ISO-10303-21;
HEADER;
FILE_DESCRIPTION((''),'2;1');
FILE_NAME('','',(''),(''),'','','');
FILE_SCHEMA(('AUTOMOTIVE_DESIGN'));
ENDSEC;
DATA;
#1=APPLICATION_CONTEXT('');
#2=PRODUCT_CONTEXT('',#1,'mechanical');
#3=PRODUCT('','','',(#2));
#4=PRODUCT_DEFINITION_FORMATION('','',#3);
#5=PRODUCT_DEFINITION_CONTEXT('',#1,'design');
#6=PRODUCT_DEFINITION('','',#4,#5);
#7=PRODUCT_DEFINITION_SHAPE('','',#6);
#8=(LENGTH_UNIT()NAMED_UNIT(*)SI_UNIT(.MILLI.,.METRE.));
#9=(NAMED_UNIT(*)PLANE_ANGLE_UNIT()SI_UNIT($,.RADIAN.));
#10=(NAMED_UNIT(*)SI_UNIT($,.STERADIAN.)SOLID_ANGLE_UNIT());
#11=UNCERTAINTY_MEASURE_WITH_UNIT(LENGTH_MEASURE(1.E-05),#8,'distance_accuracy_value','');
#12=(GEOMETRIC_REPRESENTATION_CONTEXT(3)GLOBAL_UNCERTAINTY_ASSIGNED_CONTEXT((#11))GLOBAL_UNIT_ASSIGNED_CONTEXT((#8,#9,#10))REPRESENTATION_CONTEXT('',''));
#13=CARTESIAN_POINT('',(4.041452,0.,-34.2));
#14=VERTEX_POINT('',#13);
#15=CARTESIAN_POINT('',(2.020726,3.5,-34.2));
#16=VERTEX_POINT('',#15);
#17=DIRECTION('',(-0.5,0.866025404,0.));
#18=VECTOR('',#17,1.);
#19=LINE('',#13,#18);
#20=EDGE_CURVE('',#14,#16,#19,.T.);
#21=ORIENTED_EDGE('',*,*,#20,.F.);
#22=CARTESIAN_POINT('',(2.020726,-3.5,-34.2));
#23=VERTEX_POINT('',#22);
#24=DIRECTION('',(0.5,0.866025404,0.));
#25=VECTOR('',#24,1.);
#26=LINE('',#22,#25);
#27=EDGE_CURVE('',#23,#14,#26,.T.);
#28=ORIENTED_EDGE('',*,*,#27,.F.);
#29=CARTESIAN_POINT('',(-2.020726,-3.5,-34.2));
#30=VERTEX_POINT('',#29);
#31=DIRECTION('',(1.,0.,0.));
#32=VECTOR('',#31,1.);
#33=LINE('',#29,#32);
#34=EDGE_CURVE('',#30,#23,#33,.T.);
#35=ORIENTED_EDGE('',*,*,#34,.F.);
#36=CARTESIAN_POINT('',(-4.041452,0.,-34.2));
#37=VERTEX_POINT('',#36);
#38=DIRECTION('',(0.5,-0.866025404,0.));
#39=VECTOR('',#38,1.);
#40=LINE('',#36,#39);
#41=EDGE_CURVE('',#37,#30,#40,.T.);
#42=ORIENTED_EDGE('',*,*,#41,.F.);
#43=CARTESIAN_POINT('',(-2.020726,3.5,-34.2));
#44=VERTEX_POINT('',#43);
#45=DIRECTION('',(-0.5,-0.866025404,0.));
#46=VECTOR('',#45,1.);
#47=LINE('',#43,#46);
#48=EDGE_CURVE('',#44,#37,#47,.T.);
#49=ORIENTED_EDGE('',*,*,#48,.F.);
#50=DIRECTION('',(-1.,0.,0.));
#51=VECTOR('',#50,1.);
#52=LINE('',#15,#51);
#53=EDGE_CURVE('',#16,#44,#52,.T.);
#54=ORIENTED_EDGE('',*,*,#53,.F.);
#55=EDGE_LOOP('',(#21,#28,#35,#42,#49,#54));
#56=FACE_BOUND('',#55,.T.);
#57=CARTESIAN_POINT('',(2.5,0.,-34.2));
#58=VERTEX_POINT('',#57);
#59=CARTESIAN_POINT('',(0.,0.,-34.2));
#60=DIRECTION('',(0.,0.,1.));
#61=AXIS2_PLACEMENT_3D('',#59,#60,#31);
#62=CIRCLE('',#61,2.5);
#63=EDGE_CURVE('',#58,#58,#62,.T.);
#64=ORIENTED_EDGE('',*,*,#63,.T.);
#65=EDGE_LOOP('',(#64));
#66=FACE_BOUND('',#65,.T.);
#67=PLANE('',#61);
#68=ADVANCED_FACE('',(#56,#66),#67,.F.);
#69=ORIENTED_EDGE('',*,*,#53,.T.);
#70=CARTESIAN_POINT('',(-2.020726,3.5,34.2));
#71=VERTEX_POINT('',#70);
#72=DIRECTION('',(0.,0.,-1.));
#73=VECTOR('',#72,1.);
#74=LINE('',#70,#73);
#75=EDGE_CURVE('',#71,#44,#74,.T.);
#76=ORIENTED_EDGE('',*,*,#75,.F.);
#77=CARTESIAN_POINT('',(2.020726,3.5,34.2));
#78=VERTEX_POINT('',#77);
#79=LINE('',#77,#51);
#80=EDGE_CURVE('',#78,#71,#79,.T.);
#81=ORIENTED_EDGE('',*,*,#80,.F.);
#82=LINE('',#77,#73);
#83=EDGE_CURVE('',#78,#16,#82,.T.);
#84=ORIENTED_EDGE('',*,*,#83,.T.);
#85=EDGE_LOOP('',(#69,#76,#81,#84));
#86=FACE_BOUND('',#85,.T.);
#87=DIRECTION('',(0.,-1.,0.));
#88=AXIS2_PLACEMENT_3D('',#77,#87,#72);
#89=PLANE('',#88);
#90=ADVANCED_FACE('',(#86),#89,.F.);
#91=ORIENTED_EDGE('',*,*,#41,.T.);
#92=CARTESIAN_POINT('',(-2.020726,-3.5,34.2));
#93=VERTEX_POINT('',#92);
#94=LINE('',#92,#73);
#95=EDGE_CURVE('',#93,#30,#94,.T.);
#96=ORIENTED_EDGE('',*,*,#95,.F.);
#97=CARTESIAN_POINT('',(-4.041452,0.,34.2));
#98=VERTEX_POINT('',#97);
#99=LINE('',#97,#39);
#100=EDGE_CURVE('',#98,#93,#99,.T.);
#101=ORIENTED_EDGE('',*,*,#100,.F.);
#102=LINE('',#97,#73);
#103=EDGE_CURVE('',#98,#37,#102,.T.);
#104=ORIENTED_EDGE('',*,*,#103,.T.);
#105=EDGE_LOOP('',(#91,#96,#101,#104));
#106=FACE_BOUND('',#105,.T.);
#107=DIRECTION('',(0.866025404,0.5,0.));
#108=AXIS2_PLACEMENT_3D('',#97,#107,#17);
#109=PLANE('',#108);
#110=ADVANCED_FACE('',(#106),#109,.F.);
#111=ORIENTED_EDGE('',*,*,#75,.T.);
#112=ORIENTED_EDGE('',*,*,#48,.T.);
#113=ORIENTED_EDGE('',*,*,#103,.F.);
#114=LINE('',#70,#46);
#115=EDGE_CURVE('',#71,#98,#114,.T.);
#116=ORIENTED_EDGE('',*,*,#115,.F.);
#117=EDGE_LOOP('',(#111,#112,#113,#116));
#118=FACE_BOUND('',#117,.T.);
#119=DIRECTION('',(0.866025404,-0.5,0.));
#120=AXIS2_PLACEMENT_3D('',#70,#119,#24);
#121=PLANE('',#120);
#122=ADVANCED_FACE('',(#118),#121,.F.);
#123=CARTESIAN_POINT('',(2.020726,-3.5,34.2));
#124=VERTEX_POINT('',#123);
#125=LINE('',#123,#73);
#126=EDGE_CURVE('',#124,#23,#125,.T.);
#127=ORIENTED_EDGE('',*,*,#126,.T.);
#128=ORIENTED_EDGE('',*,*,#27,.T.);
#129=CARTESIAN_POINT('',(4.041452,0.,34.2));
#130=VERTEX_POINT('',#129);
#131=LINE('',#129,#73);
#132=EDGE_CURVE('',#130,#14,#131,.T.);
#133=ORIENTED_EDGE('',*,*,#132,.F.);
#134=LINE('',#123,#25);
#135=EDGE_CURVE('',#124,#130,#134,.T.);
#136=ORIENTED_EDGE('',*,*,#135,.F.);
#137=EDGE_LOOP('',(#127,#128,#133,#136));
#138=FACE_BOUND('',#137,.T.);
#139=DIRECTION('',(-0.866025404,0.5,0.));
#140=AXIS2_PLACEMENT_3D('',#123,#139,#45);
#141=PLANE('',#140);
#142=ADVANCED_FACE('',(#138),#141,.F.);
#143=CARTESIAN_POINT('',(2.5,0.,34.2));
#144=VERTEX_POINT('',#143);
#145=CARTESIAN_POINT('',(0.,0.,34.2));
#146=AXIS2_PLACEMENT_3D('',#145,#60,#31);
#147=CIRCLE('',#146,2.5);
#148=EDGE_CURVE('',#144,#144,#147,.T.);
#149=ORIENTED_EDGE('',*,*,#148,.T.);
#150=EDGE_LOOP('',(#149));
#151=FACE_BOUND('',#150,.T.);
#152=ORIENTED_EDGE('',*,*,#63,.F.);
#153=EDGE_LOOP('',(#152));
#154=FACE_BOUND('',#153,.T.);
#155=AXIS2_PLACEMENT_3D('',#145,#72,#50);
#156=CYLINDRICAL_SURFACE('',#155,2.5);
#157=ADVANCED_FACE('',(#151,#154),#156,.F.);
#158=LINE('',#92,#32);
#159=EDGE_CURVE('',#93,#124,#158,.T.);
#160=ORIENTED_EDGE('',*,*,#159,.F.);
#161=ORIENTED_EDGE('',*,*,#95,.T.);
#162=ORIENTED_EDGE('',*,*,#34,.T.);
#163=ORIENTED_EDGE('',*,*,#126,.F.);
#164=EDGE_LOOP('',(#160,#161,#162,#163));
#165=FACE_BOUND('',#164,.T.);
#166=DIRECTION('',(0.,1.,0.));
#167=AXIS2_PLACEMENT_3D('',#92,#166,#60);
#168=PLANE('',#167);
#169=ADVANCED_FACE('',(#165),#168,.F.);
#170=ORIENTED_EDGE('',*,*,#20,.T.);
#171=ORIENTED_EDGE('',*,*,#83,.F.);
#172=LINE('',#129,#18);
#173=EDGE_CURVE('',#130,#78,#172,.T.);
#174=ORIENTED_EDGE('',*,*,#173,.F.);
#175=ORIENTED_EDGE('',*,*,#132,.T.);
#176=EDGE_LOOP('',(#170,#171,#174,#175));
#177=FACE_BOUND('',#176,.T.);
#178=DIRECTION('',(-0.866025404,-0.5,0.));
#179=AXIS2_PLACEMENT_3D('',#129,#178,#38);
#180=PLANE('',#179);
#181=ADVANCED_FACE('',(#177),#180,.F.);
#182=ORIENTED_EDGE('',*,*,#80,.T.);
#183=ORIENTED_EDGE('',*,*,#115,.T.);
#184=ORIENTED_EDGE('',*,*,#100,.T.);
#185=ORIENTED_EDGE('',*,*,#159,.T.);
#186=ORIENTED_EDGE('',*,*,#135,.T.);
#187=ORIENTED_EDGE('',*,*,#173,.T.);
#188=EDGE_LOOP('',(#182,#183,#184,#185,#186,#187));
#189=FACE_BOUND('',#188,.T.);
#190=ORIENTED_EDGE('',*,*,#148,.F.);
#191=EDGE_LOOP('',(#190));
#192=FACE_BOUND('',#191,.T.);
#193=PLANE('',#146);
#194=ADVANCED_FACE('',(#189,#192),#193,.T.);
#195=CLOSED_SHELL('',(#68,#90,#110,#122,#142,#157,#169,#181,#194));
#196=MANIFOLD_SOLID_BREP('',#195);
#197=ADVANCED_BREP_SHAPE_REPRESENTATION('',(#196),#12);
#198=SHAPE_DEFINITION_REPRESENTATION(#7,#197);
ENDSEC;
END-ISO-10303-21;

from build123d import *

# Parameters (mm, degrees)
SKETCH1_R           = 2.5
BOSS_EXTRUDE1_DEPTH = 34.2


with BuildPart() as part:
    # Sketch1 → Boss-Extrude1 (new, symmetric)
    with BuildSketch(Plane.XY):
        Polygon((-4.041451884, 0), (-2.020725942, -3.5), (2.020725942, -3.5), (4.041451884, 0), (2.020725942, 3.5), (-2.020725942, 3.5), align=None)
        Circle(SKETCH1_R, mode=Mode.SUBTRACT)
    extrude(amount=BOSS_EXTRUDE1_DEPTH, both=True)


solid = part.part
